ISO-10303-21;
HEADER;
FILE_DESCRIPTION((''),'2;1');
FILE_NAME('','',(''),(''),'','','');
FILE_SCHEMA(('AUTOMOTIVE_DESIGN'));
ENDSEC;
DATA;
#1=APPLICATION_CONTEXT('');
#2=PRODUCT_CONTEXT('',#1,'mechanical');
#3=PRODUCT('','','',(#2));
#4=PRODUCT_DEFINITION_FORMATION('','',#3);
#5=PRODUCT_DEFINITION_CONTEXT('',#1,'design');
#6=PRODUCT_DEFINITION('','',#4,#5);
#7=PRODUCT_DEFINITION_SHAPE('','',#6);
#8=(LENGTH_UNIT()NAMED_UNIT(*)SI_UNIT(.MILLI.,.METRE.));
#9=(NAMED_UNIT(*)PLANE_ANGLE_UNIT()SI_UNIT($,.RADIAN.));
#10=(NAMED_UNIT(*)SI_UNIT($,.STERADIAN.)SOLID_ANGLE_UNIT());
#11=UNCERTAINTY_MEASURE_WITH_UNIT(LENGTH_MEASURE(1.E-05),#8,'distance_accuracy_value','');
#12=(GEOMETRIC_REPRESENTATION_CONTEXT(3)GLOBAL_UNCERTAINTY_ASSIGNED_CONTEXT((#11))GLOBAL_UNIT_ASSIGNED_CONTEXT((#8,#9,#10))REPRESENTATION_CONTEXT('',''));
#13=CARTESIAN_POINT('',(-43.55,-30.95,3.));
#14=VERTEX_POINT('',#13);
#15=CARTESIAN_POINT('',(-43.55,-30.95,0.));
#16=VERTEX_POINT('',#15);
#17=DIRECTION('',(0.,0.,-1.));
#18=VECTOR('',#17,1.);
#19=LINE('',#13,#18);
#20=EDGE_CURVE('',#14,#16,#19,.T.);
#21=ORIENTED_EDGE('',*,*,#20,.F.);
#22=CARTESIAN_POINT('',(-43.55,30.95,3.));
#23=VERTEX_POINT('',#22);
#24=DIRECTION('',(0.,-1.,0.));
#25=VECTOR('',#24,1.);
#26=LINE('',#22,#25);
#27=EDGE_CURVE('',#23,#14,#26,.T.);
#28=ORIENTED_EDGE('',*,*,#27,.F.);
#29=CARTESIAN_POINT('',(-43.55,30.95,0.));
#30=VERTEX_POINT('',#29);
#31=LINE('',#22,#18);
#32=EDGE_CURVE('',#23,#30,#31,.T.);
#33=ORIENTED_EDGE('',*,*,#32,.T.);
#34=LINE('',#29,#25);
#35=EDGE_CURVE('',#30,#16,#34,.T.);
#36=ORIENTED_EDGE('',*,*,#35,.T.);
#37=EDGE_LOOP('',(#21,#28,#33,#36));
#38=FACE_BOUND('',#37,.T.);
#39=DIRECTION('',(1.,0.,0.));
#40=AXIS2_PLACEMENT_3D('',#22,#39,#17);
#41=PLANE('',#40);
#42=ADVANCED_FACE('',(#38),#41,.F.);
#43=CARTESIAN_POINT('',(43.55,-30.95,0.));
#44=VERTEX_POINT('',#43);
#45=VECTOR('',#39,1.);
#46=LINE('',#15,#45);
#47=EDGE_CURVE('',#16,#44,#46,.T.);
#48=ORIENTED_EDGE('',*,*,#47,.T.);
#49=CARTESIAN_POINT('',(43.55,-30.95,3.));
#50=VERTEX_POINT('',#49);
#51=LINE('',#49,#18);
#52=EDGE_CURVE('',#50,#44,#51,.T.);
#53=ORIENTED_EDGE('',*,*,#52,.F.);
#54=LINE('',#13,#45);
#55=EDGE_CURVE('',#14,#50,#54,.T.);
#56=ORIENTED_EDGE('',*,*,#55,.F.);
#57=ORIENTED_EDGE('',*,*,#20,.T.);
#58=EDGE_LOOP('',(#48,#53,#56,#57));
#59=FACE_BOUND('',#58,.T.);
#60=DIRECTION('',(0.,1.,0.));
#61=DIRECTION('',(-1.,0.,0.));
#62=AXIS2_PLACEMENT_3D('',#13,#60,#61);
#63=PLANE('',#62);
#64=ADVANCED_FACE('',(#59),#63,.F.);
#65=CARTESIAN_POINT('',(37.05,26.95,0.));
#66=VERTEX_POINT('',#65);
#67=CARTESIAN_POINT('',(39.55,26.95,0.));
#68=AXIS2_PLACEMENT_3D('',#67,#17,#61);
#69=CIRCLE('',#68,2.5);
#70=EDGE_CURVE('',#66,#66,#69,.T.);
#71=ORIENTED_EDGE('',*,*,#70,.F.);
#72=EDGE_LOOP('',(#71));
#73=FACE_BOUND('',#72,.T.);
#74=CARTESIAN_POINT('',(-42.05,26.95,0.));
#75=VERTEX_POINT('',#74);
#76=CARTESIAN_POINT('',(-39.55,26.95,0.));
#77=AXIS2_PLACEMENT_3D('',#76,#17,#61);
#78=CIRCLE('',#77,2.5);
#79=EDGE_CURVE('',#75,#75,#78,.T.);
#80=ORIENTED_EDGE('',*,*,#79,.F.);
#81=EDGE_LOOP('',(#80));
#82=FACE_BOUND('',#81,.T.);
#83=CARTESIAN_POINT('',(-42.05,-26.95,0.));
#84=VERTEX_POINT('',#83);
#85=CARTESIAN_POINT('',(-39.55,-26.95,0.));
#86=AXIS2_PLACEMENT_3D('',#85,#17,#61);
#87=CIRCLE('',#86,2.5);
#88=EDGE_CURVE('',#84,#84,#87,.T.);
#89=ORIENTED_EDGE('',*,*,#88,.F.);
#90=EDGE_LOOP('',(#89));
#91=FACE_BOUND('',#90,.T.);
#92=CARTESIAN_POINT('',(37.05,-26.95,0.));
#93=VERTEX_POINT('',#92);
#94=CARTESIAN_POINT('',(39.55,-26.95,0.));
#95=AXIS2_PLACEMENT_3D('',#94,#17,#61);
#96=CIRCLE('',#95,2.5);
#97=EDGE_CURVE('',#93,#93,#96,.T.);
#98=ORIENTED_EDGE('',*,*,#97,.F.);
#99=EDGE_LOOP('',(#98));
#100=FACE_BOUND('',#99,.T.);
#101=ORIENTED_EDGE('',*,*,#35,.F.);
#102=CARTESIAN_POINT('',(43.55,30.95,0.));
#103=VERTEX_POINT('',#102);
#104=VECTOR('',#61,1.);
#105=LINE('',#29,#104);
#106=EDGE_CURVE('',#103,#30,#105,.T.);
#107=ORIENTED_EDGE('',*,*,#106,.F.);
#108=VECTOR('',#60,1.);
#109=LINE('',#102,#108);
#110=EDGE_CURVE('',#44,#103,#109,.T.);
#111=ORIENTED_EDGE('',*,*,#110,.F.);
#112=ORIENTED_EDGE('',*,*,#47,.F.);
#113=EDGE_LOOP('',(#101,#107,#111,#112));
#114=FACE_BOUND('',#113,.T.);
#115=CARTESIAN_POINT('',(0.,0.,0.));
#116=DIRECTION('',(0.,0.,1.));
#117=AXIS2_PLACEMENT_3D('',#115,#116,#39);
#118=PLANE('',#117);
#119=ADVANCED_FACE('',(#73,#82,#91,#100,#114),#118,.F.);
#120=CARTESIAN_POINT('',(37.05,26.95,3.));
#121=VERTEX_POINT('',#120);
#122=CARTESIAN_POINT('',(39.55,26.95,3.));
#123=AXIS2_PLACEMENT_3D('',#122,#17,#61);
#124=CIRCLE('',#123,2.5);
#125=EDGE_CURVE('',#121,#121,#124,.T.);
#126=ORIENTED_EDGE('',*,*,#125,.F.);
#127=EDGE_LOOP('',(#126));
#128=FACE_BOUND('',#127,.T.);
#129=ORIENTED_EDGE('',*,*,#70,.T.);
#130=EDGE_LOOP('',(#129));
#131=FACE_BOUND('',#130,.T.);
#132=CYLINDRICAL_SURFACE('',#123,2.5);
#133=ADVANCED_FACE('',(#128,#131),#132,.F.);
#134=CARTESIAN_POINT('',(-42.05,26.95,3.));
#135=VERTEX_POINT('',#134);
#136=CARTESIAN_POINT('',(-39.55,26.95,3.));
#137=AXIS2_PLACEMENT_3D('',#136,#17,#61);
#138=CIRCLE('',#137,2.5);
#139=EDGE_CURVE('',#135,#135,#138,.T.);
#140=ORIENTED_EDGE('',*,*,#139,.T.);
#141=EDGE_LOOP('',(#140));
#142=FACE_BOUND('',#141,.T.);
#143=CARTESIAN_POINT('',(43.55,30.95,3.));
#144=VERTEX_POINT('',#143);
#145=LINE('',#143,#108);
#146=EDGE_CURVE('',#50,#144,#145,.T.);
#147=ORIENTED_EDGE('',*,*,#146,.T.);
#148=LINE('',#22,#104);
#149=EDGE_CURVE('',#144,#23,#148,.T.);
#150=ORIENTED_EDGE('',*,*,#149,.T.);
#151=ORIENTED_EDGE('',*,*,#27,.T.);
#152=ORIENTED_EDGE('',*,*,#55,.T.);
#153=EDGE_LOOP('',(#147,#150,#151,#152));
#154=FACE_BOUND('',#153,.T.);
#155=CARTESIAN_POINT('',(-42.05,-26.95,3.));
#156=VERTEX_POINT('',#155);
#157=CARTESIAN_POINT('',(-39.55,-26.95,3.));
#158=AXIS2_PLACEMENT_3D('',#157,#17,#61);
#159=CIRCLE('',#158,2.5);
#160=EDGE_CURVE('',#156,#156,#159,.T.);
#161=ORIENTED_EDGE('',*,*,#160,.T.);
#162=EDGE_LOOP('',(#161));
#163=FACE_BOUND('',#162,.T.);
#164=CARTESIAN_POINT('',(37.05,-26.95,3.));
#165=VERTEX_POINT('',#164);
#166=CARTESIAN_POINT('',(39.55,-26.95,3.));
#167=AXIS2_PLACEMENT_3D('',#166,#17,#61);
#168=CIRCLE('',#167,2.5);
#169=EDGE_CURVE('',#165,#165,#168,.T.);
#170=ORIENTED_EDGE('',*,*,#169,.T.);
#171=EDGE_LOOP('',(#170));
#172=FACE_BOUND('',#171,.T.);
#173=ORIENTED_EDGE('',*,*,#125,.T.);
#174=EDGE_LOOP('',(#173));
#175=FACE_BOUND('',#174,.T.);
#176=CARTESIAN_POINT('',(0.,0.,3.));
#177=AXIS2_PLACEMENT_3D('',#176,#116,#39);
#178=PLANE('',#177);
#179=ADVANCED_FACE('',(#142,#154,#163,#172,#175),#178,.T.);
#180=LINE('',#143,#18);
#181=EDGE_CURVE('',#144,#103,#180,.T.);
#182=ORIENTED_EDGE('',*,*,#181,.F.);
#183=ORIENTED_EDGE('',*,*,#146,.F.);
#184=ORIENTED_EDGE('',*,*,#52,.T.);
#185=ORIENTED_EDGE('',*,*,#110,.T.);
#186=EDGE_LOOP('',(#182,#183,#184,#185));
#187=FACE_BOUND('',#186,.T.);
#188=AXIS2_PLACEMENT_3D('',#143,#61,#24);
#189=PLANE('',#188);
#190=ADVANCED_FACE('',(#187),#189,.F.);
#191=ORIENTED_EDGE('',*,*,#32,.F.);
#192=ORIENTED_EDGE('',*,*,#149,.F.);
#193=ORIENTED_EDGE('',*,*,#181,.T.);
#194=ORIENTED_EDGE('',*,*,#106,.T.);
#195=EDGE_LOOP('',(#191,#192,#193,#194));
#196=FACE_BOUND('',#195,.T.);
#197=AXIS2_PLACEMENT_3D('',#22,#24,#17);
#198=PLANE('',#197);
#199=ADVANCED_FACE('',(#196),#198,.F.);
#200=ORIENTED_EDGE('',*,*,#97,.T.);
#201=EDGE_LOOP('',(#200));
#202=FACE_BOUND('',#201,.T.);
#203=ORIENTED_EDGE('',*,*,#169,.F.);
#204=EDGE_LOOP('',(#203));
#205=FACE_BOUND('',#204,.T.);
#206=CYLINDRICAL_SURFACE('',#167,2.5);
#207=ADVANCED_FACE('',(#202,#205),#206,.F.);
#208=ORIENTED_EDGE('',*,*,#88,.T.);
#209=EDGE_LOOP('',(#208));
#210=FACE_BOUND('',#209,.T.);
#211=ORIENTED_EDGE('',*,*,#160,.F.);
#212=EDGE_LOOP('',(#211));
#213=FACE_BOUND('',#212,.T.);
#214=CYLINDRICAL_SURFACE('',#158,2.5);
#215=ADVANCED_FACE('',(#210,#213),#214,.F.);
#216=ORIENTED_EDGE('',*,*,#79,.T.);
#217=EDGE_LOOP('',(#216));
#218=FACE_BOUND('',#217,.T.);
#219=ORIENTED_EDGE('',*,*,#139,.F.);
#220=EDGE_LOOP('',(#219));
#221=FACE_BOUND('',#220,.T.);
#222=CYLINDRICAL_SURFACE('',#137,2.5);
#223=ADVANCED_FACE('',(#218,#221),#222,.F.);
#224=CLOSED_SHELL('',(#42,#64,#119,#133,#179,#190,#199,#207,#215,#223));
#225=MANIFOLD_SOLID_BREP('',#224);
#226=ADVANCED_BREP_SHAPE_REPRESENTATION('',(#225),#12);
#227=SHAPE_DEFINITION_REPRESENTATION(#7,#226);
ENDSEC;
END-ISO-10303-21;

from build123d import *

# Parameters (mm, degrees)
SKETCH_1_W          = 87.1
SKETCH_1_H          = 61.9
EXTRUDE_1_DEPTH     = 3
SKETCH_2_R          = 2.5
CUT_EXTRUDE_1_DEPTH = 54.511727687


with BuildPart() as part:
    # 草图1 → 凸台-拉伸1 (new body)
    with BuildSketch(Plane.XY):
        Rectangle(SKETCH_1_W, SKETCH_1_H)
    extrude(amount=EXTRUDE_1_DEPTH)

    # 草图2 → 切除-拉伸1 (cut, through all)
    with BuildSketch(Plane(origin=(0, 0, 0), x_dir=(-1, 0, 0), z_dir=(0, 0, -1))):
        with Locations((-39.55, 26.95)):
            Circle(SKETCH_2_R)
        with Locations((-39.55, -26.95)):
            Circle(SKETCH_2_R)
        with Locations((39.55, -26.95)):
            Circle(SKETCH_2_R)
        with Locations((39.55, 26.95)):
            Circle(SKETCH_2_R)
    extrude(amount=-CUT_EXTRUDE_1_DEPTH, mode=Mode.SUBTRACT)


solid = part.part
